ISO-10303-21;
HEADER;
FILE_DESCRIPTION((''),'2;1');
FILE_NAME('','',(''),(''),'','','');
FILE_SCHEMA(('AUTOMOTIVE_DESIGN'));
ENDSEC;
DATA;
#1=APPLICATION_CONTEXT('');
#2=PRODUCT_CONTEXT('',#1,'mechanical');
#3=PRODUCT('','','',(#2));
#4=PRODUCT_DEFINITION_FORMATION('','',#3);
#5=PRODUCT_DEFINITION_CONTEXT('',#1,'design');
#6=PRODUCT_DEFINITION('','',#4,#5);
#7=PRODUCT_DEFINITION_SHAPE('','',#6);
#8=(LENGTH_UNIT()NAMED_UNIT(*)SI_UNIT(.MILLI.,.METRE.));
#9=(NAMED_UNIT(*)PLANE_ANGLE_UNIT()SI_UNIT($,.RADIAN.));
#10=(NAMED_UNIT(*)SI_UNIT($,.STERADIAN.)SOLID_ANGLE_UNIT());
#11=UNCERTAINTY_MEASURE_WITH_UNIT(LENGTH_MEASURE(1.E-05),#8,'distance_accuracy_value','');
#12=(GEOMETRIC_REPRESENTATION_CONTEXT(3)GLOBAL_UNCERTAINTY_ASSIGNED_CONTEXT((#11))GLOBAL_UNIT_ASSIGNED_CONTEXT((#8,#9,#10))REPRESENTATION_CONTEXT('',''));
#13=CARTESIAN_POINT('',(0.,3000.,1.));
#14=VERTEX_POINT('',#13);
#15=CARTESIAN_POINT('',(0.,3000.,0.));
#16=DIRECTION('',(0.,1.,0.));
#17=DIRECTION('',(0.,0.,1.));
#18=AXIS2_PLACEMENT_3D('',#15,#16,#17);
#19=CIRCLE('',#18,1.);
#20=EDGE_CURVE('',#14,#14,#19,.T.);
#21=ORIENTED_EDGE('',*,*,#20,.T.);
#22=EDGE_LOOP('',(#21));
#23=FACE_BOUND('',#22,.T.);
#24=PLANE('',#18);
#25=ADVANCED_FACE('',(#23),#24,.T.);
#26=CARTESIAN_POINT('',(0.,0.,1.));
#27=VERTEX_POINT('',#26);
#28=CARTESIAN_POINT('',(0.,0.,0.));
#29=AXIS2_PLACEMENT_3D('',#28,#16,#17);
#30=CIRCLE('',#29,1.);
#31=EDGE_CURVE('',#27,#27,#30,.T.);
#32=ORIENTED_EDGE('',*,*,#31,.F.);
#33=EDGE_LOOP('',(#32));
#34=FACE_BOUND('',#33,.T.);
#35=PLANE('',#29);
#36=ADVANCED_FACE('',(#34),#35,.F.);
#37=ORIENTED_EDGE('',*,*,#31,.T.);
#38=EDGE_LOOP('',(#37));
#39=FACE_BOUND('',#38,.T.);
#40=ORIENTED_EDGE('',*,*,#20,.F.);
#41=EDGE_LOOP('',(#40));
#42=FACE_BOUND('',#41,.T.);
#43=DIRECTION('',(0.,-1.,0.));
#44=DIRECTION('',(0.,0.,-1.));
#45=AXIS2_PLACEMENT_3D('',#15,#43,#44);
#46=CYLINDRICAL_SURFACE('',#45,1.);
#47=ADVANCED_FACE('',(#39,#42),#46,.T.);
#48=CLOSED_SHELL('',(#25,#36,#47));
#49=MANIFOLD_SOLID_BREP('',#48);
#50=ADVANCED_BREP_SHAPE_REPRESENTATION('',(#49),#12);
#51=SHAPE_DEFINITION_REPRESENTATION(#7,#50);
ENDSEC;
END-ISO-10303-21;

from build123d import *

# Parameters (mm, degrees)
ESBO_O2_R                = 1
RESSALTO_EXTRUS_O1_DEPTH = 3000


with BuildPart() as part:
    # Esboço2 → Ressalto-extrusão1 (new body)
    with BuildSketch(Plane(origin=(0, 0, 0), x_dir=(1, 0, 0), z_dir=(0, 1, 0))):
        with Locations(Location((0, 0, 0), (0, 0, 270))):
            Circle(ESBO_O2_R)
    extrude(amount=RESSALTO_EXTRUS_O1_DEPTH)


solid = part.part
